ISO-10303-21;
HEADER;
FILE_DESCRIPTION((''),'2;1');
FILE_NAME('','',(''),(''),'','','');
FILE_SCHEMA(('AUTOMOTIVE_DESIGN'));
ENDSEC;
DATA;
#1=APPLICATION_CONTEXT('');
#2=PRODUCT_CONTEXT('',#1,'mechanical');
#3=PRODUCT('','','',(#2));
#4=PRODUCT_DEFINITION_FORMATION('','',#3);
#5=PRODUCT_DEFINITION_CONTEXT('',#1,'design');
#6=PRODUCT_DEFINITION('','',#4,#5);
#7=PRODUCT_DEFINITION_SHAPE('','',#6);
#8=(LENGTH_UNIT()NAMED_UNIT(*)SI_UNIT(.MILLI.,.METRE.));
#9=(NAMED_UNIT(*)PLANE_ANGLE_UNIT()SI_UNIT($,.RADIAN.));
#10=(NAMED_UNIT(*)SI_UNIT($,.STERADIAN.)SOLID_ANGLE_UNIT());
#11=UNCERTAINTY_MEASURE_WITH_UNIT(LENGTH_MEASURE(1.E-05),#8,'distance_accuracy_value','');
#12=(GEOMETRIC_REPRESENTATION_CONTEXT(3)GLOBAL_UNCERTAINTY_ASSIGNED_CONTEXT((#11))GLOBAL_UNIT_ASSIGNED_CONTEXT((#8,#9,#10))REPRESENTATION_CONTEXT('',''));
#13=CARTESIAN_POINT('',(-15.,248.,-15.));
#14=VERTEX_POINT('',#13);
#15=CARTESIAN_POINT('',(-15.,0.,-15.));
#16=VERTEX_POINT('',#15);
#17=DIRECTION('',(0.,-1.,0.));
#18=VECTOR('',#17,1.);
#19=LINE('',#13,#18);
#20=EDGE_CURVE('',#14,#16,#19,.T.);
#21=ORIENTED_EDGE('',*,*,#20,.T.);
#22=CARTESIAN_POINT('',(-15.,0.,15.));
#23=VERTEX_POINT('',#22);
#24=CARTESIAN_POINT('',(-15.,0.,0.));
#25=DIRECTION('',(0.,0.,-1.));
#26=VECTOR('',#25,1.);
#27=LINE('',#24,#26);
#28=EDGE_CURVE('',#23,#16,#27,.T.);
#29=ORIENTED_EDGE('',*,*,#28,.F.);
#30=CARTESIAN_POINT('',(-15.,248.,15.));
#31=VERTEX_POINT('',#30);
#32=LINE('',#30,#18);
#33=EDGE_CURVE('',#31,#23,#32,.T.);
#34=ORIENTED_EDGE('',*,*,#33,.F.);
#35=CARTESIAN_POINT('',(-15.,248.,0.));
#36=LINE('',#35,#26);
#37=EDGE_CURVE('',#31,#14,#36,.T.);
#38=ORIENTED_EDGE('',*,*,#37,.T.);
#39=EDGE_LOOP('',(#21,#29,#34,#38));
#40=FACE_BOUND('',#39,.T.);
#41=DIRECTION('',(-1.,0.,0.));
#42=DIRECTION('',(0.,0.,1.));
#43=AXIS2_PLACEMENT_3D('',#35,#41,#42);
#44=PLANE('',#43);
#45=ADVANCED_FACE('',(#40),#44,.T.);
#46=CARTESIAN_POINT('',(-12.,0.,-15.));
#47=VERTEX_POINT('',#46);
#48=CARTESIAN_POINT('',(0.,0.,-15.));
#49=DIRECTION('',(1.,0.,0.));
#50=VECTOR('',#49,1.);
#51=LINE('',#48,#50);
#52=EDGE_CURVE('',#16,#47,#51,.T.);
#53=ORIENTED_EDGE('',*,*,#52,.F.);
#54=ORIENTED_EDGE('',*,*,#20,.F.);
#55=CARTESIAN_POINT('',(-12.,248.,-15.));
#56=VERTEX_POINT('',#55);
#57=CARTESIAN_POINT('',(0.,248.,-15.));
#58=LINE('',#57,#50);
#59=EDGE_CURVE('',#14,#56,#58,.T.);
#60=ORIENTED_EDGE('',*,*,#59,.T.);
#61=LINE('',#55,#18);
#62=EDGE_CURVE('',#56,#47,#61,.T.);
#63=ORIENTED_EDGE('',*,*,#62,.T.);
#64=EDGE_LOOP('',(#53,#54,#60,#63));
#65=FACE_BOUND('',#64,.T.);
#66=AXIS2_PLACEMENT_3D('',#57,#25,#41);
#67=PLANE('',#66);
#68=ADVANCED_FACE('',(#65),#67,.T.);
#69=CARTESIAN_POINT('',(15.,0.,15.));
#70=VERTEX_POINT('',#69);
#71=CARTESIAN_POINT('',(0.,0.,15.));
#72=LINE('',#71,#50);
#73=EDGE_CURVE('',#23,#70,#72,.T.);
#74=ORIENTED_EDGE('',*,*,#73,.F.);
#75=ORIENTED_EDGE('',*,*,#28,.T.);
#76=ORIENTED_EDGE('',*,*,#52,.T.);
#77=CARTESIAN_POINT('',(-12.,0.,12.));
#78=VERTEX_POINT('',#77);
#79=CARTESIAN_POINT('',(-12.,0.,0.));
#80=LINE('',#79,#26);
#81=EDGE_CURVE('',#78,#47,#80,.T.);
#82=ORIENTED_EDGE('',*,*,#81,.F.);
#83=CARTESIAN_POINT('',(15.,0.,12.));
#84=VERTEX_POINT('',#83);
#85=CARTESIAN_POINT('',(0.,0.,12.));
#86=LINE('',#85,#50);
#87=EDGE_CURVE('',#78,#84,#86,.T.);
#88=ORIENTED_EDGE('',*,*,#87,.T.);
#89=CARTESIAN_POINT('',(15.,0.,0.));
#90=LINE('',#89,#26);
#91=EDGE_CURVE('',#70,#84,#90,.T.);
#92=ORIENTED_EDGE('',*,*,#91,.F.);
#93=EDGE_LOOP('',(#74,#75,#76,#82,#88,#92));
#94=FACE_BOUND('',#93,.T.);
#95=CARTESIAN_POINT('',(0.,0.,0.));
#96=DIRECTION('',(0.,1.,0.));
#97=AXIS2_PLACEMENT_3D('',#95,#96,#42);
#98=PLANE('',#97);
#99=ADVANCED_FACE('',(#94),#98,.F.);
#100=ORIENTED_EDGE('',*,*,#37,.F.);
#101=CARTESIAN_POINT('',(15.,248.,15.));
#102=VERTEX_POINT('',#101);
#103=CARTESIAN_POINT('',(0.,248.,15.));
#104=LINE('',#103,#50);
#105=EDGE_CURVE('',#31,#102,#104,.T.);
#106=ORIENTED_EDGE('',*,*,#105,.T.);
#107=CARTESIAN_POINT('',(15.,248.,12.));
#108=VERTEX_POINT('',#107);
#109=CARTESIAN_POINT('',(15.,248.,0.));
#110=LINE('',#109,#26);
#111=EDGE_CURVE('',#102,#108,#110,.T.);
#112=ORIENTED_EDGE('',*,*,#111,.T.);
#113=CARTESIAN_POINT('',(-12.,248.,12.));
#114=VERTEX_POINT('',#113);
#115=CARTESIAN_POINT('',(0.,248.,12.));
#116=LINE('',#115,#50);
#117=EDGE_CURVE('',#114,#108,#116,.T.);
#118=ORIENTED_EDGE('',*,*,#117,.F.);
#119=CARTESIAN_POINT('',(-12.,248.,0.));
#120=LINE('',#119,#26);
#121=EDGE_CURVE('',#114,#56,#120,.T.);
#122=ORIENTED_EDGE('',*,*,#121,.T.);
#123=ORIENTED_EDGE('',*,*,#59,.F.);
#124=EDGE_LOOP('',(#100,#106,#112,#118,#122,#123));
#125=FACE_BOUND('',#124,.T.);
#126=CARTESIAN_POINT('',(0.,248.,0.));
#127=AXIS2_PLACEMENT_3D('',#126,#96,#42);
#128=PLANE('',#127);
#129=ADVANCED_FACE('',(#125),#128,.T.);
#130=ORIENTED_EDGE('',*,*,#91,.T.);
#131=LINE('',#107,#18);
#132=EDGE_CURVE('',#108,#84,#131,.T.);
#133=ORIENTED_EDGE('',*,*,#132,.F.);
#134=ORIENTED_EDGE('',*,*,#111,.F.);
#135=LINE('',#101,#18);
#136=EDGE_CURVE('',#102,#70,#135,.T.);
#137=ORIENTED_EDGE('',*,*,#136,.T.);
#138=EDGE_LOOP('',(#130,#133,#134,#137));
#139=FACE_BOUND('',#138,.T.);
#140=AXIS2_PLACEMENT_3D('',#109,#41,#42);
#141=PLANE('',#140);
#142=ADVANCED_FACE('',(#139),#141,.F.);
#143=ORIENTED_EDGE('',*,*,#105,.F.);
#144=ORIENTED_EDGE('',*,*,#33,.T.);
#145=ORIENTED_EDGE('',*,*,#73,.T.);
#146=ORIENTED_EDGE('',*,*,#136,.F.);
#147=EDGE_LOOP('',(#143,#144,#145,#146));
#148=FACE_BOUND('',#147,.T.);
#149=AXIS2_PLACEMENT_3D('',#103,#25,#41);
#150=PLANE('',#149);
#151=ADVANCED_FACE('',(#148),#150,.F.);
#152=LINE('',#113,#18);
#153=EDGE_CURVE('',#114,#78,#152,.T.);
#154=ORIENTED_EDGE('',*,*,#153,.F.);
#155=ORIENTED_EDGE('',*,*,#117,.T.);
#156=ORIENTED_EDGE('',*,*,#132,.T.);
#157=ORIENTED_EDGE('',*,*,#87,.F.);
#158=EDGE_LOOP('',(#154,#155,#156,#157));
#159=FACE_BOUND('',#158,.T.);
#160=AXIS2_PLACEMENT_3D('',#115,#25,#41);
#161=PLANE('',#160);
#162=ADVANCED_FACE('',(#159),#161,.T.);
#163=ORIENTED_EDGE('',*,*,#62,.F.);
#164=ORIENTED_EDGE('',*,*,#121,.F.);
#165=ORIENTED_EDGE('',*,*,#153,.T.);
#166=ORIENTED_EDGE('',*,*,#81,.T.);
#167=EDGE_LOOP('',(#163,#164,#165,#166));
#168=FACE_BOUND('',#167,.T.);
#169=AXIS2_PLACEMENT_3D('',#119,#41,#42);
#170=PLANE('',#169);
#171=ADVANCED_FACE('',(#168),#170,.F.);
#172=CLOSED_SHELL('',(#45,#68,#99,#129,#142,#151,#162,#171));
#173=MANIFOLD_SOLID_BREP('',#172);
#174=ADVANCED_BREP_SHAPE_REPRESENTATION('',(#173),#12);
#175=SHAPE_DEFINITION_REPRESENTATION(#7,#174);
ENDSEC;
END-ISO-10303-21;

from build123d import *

# Parameters (mm, degrees)
BOSS_EXTRUDE1_DEPTH = 248


with BuildPart() as part:
    # Sketch1 → Boss-Extrude1 (new body)
    with BuildSketch(Plane(origin=(0, 0, 0), x_dir=(1, 0, 0), z_dir=(0, 1, 0))):
        Polygon((-12, -12), (-12, 12), (-12, 15), (-15, 15), (-15, -15), (15, -15), (15, -12), (12, -12), align=None)
    extrude(amount=BOSS_EXTRUDE1_DEPTH)


solid = part.part
